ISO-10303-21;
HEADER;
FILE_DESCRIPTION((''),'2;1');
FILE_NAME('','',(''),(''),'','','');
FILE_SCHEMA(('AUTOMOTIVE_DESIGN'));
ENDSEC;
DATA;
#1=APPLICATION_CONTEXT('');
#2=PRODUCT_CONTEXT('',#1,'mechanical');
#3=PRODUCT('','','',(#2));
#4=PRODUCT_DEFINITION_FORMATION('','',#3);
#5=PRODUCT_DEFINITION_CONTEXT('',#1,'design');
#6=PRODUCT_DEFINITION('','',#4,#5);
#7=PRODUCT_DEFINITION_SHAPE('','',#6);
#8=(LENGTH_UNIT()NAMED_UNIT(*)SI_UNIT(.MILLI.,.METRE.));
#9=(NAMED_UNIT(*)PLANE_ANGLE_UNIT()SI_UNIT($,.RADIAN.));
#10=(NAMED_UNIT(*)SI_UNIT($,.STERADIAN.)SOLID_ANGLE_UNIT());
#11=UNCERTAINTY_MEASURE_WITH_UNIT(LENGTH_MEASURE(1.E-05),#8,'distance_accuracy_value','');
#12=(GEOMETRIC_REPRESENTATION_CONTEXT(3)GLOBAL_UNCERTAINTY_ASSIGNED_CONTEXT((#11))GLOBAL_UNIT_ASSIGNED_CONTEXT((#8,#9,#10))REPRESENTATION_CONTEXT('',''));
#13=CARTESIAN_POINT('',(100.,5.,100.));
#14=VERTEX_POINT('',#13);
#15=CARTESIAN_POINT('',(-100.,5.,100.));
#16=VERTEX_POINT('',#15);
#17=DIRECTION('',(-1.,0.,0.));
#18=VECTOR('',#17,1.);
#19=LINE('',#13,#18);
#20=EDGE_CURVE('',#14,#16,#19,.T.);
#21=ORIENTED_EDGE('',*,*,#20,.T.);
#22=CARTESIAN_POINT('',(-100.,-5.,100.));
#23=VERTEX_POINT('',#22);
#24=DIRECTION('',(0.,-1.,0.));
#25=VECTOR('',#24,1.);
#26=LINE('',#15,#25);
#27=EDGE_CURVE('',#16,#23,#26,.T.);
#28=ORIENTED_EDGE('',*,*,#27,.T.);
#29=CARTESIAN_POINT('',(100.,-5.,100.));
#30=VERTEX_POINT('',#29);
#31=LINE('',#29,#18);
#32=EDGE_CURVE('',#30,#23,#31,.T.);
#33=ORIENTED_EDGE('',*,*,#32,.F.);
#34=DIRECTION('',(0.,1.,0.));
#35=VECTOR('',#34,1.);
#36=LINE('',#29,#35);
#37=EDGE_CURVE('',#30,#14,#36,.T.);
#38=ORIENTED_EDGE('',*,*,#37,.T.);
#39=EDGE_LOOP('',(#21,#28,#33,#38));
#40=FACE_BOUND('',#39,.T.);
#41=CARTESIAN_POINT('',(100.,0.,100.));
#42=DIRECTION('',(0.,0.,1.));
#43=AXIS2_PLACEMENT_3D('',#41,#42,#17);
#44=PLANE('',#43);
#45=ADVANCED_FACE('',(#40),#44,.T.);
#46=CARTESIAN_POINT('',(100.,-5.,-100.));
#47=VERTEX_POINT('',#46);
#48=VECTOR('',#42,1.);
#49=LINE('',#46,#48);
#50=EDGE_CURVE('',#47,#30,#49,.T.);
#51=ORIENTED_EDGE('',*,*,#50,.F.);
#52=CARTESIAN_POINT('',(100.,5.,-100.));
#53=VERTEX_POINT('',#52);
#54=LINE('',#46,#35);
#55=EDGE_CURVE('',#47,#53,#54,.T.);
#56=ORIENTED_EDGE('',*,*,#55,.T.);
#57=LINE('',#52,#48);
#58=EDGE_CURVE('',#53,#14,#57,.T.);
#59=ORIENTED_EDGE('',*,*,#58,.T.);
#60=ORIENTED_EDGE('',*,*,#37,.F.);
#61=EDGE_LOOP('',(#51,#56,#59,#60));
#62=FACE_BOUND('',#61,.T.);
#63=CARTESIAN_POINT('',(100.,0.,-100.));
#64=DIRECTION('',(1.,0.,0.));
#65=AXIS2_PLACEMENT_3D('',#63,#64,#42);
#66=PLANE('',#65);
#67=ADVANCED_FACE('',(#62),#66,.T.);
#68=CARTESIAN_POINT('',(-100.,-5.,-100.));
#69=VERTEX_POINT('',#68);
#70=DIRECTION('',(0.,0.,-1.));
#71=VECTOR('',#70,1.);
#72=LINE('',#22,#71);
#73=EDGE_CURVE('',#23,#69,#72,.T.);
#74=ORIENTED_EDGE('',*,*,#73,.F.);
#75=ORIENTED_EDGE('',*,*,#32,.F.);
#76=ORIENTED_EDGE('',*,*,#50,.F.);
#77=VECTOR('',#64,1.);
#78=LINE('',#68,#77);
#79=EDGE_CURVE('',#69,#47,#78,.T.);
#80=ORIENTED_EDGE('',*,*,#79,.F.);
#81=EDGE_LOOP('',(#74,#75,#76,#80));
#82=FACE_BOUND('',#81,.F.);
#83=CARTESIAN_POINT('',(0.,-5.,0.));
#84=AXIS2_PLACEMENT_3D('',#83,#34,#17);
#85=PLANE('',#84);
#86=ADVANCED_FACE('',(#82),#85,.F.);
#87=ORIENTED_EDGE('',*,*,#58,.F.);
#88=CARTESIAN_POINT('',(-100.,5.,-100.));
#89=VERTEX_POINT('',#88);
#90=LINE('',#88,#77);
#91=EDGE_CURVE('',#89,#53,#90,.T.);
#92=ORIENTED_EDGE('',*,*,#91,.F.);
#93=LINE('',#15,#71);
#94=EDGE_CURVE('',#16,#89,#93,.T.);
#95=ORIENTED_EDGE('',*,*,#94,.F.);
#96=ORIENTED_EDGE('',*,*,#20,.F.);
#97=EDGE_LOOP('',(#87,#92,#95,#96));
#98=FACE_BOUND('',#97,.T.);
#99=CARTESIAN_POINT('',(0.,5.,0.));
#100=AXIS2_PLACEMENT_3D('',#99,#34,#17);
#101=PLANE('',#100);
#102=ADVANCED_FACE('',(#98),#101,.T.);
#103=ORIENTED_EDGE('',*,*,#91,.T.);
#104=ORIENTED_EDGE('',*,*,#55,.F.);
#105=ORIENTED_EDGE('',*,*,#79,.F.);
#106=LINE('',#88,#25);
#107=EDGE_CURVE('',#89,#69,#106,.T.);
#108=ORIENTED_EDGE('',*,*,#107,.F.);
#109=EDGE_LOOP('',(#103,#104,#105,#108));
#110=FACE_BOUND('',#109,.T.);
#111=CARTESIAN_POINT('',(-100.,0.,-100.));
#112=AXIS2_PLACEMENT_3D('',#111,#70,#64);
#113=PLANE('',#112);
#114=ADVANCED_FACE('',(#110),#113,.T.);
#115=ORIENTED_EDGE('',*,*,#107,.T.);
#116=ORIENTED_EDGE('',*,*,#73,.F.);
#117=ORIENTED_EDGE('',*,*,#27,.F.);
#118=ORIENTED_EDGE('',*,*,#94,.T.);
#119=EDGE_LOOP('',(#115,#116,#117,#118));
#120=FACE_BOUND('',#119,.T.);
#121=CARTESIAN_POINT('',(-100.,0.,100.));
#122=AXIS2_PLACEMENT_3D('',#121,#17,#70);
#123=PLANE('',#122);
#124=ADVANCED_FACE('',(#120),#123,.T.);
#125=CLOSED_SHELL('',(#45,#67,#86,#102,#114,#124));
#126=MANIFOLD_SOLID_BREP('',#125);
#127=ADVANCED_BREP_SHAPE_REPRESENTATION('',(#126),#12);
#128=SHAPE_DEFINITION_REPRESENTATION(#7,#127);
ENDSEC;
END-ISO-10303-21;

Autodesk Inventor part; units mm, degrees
ref_plane "YZ Plane" through (0, 0, 0) normal (1, 0, 0) x (0, 1, 0)
ref_plane "XZ Plane" through (0, 0, 0) normal (0, 1, 0) x (-1, 0, 0)
ref_plane "XY Plane" through (0, 0, 0) normal (0, 0, 1) x (1, 0, 0)
sketch "Sketch1" plane through (0, 0, 0) normal (0, 1, 0) x (-1, 0, 0)
  line L0 (-100, 100) -> (100, 100)
  line L1 (100, 100) -> (100, -100)
  line L2 (100, -100) -> (-100, -100)
  line L3 (-100, -100) -> (-100, 100)
  line L4 (-100, 100) -> (100, -100) construction
  line L5 (100, 100) -> (-100, -100) construction
  point P0 (0, 0)
  dimension "d0" = 200
  dimension "d1" = 200
extrude "Extrusion1" add sketch "Sketch1" along normal mid plane 10
properties part number "Heat Bed Insulation"
